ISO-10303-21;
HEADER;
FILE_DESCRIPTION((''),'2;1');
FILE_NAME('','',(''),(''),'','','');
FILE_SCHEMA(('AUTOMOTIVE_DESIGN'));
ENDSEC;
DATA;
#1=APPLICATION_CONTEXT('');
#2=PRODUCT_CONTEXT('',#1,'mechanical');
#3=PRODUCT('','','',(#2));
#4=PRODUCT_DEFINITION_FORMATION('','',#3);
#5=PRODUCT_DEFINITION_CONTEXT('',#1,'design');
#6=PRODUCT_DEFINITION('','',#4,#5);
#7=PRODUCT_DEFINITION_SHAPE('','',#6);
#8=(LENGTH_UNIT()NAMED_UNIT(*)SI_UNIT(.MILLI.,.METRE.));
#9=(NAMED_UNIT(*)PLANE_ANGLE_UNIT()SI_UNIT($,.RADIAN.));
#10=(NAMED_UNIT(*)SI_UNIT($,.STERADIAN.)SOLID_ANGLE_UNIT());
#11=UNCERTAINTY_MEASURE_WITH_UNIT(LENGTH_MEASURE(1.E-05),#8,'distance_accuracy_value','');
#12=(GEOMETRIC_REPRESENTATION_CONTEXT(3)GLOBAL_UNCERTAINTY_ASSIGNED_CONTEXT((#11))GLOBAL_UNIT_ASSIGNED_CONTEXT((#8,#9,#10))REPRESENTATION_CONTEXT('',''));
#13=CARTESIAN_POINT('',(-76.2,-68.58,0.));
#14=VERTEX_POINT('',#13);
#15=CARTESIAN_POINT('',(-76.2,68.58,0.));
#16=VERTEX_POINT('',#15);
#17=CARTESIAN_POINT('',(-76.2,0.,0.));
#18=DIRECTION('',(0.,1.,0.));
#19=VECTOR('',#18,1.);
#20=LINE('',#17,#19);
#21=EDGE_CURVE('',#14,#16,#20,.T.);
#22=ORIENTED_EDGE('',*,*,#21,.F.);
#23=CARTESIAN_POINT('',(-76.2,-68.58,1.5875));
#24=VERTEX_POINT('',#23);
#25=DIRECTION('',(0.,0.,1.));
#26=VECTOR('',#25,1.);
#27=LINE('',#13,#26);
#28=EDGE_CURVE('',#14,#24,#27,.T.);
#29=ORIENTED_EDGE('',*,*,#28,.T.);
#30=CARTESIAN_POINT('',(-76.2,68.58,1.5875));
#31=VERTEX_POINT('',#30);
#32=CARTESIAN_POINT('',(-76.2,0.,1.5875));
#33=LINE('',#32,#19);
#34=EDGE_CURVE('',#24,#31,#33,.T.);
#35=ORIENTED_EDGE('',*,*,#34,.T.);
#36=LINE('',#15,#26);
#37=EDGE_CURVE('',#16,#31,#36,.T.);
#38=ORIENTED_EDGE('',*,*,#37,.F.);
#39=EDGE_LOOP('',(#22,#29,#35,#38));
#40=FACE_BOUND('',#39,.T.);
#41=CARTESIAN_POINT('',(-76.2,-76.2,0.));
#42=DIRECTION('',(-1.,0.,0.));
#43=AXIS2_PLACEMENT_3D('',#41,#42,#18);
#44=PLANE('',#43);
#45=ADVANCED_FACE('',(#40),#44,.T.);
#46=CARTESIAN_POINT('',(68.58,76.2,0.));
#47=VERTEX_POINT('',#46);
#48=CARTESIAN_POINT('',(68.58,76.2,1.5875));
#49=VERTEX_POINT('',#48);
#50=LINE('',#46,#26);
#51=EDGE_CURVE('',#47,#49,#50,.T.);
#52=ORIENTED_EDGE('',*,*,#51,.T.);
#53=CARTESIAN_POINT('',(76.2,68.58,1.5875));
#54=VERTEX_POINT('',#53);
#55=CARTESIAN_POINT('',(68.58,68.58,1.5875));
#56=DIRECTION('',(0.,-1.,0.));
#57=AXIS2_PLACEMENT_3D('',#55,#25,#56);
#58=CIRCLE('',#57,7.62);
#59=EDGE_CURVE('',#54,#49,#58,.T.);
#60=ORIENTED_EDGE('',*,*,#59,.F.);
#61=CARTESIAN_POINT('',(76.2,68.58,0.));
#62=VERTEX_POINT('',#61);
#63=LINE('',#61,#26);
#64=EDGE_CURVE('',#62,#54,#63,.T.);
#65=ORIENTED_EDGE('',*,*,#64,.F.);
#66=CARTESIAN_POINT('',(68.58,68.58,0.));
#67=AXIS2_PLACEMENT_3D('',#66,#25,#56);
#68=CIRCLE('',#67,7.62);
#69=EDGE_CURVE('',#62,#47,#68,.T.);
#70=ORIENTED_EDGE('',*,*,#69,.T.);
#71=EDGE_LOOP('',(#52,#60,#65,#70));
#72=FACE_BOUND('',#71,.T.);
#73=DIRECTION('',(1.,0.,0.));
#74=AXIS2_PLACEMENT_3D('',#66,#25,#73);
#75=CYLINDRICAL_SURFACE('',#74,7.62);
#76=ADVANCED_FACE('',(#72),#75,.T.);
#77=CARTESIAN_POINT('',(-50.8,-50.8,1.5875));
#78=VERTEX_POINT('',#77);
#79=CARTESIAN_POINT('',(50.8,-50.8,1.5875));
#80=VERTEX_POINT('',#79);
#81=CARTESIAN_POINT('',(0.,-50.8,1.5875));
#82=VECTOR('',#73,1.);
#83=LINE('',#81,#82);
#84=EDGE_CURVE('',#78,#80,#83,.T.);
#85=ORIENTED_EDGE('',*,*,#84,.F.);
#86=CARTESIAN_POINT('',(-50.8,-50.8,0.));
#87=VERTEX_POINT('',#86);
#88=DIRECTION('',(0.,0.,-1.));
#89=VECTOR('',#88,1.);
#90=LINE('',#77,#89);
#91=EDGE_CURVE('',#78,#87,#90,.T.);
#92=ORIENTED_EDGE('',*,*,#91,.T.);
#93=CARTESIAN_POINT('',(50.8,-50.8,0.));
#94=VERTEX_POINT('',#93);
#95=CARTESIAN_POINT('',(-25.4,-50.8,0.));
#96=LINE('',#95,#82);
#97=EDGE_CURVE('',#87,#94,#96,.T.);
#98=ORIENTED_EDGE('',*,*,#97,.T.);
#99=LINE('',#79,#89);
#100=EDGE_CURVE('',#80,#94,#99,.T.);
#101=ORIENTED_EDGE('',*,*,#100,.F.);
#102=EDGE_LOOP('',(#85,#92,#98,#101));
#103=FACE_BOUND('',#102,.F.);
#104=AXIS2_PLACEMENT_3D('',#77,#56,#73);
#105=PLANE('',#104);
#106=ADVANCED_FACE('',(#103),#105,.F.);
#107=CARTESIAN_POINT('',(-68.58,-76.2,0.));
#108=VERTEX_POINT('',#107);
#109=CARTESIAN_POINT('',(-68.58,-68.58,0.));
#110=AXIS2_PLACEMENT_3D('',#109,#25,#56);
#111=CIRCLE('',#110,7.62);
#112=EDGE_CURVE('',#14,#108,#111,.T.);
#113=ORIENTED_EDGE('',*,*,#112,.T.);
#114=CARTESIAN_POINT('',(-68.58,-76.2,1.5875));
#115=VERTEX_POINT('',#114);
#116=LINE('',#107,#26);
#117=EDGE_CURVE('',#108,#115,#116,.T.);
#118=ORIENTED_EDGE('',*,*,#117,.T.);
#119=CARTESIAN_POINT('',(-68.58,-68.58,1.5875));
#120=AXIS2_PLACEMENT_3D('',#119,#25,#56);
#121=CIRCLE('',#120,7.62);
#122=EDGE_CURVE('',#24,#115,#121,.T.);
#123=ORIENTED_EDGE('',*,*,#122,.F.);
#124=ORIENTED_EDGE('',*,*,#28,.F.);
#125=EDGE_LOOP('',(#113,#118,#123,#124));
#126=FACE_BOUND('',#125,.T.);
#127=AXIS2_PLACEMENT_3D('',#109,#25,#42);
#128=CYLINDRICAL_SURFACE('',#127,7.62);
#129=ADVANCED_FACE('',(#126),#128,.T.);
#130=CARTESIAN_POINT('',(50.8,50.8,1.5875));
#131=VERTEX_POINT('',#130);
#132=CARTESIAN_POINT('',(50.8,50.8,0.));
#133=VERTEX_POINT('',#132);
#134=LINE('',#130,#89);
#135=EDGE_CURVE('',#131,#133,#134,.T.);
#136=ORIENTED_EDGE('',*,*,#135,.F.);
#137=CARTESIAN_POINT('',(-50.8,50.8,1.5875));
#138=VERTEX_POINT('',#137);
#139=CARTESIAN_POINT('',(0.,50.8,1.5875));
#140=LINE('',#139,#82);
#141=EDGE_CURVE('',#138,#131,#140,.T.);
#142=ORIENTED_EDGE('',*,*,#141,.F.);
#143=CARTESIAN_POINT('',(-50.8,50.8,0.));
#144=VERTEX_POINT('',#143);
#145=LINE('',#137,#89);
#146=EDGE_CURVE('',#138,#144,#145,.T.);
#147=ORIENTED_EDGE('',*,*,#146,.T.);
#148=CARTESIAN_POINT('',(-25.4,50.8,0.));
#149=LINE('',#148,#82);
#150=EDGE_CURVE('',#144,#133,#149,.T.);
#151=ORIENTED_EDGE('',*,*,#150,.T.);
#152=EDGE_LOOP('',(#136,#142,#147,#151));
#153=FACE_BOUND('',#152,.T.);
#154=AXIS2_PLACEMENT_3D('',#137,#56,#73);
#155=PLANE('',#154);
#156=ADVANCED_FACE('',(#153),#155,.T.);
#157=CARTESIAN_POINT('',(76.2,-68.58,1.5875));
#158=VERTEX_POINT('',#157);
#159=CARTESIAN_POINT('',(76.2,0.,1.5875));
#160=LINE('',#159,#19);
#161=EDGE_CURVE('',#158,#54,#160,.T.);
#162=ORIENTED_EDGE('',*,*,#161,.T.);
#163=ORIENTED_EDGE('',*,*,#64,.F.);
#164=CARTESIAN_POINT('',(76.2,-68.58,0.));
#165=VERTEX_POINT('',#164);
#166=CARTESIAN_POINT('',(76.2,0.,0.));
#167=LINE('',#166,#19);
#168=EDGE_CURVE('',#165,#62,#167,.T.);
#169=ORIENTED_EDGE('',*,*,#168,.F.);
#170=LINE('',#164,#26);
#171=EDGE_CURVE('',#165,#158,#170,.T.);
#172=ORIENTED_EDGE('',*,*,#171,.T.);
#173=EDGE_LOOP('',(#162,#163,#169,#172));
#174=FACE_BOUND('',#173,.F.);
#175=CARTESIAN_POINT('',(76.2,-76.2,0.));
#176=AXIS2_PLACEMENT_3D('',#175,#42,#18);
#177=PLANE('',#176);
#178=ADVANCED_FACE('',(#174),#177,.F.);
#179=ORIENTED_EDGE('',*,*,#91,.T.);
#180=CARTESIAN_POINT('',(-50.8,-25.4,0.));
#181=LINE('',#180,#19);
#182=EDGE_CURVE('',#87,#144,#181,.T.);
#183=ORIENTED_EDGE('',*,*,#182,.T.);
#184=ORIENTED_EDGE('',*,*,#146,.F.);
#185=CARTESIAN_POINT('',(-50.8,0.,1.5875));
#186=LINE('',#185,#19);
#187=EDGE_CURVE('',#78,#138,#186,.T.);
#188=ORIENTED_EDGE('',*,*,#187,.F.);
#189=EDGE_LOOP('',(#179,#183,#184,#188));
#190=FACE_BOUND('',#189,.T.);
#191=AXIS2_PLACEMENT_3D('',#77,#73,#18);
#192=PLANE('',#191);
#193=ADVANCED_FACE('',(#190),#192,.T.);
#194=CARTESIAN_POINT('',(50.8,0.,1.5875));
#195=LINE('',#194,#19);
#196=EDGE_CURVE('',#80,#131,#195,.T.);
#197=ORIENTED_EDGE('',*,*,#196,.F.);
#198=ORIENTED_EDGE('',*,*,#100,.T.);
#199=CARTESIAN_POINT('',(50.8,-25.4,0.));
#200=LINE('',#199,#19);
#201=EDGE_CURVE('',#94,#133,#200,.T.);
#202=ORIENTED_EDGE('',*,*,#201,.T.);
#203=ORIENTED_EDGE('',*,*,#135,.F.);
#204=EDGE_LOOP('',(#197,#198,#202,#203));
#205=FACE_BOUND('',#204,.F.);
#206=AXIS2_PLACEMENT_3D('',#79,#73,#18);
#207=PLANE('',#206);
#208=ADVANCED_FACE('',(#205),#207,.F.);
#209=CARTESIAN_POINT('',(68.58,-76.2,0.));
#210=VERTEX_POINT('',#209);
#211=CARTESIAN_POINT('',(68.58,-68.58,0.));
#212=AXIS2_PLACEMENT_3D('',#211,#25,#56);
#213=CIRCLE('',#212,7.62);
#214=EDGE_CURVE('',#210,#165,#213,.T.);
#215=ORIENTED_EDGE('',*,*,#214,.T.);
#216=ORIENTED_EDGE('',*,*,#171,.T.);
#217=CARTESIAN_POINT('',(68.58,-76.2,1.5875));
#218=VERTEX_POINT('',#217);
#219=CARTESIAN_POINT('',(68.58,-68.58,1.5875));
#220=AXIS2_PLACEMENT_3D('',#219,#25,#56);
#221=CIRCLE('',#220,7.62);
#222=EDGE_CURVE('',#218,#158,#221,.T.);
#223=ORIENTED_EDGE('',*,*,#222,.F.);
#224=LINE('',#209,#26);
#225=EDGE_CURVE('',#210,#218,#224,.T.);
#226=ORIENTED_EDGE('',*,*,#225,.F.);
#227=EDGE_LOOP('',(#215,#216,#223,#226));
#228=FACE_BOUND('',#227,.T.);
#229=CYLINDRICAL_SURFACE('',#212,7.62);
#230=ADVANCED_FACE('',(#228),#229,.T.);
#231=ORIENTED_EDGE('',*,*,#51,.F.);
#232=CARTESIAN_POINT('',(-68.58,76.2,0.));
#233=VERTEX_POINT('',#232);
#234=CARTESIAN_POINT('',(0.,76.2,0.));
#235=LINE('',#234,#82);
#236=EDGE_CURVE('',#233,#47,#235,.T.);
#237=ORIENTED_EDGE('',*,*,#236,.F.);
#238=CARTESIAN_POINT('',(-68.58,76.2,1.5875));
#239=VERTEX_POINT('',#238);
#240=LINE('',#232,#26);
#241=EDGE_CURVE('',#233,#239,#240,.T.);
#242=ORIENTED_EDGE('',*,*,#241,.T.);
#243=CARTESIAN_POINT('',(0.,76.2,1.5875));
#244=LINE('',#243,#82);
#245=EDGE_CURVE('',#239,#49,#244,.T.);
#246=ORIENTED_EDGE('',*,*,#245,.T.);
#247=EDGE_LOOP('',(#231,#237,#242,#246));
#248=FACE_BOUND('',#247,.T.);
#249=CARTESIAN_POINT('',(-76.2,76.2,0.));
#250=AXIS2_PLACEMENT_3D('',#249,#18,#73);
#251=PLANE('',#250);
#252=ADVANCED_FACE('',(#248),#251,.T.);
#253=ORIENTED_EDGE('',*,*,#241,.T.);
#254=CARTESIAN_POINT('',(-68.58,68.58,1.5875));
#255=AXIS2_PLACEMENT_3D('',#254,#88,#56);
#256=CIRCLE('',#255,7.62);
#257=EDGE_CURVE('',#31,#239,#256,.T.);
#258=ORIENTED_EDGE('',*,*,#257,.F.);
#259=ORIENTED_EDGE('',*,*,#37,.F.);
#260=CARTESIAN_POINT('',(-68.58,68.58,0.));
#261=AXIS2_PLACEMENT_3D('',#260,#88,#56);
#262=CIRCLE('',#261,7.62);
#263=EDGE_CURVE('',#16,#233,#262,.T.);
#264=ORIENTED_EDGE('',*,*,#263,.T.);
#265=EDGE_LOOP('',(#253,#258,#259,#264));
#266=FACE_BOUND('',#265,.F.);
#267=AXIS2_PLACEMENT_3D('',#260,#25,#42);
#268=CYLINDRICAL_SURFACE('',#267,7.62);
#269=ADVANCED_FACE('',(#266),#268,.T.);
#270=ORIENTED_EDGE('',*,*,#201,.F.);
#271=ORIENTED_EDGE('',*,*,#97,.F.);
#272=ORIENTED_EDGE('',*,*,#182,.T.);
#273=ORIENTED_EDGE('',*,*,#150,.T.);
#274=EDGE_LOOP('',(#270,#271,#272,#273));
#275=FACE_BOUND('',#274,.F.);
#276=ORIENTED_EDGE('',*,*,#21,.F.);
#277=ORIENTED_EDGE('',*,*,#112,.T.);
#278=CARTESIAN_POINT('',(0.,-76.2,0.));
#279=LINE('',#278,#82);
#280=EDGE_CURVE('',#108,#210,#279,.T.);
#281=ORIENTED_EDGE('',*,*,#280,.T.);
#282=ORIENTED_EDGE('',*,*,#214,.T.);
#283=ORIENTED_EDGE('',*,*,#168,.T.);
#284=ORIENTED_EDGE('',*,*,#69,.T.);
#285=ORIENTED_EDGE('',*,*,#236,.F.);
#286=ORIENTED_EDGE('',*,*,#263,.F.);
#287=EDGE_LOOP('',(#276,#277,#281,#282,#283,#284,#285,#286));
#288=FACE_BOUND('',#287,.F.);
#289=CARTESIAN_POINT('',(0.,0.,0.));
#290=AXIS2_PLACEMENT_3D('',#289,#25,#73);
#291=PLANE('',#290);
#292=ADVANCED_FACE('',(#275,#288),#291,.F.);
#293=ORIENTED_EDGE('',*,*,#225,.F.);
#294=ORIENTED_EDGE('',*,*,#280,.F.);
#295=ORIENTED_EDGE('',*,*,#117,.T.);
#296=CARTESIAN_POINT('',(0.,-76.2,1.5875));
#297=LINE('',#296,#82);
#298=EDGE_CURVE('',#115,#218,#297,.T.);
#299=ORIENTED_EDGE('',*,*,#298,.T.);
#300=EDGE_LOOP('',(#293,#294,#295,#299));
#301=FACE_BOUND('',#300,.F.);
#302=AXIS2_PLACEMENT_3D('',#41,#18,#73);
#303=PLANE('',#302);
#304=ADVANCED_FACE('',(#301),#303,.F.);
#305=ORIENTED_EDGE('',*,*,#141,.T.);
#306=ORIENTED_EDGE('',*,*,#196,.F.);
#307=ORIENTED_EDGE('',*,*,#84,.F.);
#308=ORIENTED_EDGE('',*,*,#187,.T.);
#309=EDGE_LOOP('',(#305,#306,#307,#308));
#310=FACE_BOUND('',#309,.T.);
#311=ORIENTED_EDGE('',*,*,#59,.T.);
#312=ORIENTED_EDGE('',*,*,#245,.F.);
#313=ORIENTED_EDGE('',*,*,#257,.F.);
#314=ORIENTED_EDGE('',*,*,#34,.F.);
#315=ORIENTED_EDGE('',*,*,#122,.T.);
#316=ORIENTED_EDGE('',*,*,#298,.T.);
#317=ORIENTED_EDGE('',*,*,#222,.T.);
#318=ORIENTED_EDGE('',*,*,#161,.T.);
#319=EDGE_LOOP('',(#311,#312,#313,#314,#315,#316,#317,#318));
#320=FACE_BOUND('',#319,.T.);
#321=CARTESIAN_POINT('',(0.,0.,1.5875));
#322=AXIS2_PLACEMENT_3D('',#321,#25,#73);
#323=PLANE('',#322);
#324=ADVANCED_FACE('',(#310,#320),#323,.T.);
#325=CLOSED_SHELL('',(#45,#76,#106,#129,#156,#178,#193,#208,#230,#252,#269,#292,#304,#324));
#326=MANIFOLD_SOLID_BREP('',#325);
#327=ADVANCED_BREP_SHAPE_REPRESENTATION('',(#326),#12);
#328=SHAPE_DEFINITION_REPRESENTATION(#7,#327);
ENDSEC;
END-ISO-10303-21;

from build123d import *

# Parameters (mm, degrees)
F0_W     = 152.4
F0_H     = 152.4
F1_DEPTH = 1.5875
F2_R     = 7.62
F3_W     = 101.6
F3_H     = 101.6
F4_DEPTH = 1.5885


with BuildPart() as f1:
    # F0 (on Top) → F1 (new body)
    with BuildSketch(Plane.XY):
        Rectangle(F0_W, F0_H)
    extrude(amount=F1_DEPTH)

    # F2
    f2_edges = [f1.edges().sort_by_distance(p)[0] for p in [
        (76.2, 76.2, 0.79375),
        (-76.2, -76.2, 0.79375),
        (76.2, -76.2, 0.79375),
        (-76.2, 76.2, 0.79375),
    ]]
    fillet(f2_edges, radius=F2_R)

    # F3 (on face) → F4 (cut, through all)
    with BuildSketch(Plane.XY.offset(1.5875)):
        Rectangle(F3_W, F3_H)
    extrude(amount=-F4_DEPTH, mode=Mode.SUBTRACT)


solid = f1.part
